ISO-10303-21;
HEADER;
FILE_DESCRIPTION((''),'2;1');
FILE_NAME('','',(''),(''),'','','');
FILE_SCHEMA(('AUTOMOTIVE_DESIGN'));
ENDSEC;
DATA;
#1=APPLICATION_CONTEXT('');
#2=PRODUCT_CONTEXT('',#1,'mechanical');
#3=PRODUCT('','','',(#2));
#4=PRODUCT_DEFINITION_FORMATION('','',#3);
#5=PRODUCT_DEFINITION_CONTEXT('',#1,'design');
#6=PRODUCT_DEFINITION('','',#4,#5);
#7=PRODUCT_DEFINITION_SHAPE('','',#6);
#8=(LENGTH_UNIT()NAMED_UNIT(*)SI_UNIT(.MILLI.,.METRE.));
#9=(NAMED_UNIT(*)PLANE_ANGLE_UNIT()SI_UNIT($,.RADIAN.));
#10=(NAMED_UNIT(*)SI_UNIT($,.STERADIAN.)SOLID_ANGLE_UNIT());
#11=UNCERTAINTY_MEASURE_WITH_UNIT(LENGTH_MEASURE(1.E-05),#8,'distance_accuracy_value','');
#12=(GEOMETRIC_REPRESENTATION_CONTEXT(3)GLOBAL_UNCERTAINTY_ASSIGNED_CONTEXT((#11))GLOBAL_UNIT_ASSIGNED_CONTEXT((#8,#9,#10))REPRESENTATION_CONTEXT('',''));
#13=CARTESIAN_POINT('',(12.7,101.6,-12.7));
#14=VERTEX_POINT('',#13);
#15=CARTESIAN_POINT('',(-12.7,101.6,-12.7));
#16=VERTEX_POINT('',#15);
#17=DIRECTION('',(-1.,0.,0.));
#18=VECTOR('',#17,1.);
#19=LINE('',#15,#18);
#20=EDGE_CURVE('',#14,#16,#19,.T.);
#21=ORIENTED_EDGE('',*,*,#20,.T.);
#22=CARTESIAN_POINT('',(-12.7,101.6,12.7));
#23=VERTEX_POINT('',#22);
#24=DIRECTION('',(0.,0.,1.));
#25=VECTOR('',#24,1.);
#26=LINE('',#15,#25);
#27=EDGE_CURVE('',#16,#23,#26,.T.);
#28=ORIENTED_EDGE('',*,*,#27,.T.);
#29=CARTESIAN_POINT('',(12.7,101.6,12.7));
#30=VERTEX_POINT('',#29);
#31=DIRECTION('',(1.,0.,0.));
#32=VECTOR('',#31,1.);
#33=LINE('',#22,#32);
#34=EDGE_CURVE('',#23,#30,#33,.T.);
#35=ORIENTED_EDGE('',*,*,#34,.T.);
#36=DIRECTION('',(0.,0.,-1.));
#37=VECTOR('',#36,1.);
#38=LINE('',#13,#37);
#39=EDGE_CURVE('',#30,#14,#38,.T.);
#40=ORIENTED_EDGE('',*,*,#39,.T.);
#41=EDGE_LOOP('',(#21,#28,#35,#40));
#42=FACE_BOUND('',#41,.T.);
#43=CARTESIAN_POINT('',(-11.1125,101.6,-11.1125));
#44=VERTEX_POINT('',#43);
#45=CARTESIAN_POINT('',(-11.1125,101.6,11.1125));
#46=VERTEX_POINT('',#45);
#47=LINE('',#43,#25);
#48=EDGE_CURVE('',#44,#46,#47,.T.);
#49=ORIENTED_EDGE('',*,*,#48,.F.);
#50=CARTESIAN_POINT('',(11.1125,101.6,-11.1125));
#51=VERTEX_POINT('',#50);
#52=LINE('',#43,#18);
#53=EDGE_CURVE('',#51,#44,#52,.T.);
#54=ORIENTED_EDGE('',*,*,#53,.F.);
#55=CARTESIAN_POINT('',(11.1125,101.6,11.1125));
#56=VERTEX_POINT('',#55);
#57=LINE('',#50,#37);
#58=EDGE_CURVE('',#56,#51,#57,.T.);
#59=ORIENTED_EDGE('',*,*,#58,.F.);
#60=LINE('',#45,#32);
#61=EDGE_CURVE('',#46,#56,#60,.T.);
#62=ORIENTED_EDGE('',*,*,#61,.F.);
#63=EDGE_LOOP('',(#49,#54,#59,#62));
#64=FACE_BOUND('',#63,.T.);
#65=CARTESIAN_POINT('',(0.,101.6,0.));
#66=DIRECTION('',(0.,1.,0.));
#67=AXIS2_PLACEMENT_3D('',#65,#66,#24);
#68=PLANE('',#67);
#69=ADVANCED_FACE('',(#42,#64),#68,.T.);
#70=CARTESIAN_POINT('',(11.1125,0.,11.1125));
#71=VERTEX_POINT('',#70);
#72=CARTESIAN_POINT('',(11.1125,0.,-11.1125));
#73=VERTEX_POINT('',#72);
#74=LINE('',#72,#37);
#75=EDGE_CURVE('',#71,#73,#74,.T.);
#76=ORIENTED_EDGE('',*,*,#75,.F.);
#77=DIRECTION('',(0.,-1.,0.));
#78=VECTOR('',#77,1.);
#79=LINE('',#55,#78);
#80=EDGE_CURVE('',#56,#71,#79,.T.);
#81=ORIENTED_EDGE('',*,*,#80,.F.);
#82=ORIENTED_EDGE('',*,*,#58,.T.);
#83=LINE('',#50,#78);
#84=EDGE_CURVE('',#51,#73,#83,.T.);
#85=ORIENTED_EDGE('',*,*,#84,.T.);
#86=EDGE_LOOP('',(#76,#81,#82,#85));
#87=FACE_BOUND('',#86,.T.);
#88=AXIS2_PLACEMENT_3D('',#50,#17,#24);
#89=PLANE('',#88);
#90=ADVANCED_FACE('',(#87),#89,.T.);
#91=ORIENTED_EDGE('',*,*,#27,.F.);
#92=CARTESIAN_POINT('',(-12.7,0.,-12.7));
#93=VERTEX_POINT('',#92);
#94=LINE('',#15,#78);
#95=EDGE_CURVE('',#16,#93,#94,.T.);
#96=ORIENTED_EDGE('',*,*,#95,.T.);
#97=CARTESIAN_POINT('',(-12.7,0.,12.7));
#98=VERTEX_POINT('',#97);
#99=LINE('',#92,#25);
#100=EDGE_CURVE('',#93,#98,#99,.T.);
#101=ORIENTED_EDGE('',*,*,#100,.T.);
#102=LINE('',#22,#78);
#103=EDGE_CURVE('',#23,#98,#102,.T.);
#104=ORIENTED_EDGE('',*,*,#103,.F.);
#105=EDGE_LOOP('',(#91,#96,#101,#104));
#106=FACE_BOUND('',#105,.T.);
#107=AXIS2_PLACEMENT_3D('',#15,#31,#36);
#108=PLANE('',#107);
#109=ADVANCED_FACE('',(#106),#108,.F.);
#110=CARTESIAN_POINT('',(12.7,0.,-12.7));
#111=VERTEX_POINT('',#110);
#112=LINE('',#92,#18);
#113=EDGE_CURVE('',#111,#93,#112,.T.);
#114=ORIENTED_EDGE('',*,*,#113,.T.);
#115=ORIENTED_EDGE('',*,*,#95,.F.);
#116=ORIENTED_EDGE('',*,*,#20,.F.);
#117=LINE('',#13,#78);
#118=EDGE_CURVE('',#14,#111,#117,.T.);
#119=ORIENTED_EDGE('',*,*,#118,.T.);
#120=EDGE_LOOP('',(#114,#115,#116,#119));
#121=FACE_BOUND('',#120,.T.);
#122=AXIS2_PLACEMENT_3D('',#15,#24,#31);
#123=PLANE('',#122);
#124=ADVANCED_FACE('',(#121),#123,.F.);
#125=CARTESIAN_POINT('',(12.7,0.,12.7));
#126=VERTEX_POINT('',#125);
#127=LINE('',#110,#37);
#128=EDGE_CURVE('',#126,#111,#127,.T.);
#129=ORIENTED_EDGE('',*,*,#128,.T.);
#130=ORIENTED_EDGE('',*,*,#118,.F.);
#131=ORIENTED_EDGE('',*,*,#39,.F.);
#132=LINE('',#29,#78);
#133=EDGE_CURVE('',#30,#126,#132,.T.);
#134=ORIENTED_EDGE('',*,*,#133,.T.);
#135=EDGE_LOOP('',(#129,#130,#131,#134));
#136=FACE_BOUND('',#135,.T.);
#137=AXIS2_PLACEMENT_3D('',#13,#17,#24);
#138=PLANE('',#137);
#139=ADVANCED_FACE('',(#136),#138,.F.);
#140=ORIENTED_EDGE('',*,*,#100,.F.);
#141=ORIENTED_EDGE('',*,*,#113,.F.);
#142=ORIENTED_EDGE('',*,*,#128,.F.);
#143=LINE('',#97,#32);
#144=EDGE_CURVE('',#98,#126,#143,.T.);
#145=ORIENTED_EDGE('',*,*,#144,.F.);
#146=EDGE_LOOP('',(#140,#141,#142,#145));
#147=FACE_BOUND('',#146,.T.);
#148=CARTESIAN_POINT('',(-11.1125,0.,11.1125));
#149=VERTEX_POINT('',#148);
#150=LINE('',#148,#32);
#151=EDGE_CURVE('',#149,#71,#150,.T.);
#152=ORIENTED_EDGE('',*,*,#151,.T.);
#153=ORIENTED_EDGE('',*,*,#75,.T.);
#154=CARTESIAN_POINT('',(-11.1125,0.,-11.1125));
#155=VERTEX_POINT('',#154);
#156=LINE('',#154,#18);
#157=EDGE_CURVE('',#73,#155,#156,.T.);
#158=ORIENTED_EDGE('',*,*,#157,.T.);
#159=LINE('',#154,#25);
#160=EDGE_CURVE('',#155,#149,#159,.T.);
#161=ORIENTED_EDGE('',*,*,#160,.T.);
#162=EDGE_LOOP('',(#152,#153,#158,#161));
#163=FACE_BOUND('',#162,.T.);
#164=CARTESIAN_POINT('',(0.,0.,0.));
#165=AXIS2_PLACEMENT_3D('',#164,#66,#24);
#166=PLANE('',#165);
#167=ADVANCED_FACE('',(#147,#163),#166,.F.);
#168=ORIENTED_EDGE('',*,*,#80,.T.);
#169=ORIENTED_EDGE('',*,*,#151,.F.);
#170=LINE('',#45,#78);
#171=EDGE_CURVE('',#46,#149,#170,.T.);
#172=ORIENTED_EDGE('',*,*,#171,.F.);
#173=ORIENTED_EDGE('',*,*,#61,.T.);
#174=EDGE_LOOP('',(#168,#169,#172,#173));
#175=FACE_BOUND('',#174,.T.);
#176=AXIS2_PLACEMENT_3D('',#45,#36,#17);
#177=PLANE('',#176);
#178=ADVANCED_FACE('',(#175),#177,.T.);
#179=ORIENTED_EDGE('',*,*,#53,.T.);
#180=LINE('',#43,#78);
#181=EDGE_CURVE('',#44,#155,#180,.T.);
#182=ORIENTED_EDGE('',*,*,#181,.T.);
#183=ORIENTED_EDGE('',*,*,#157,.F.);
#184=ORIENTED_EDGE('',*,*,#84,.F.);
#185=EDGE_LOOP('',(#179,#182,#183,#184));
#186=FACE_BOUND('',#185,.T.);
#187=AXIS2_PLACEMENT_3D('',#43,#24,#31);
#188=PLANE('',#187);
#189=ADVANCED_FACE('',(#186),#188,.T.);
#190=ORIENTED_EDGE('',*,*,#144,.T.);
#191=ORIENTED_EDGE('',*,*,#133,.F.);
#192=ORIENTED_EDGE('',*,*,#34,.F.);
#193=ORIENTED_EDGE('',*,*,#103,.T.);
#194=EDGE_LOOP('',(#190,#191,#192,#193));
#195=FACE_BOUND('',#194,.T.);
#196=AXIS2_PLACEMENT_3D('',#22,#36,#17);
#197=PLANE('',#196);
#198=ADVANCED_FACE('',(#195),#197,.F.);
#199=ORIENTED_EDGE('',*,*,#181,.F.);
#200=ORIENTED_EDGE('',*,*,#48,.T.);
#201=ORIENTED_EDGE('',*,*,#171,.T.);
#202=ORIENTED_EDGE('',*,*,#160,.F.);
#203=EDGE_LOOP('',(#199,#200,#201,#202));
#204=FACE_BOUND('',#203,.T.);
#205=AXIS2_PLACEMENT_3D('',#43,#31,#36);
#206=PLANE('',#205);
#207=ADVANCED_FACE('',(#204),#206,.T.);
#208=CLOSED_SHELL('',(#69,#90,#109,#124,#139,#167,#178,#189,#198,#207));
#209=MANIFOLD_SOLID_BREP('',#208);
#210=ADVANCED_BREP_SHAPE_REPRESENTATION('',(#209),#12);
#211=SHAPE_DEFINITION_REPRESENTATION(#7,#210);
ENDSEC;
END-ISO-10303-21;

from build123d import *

# Parameters (mm, degrees)
SKETCH1_W           = 25.4
SKETCH1_H           = 25.4
SKETCH1_W_2         = 22.225
SKETCH1_H_2         = 22.225
BOSS_EXTRUDE1_DEPTH = 101.6


with BuildPart() as part:
    # Sketch1 → Boss-Extrude1 (new body)
    with BuildSketch(Plane(origin=(0, 0, 0), x_dir=(1, 0, 0), z_dir=(0, 1, 0))):
        Rectangle(SKETCH1_W, SKETCH1_H)
        Rectangle(SKETCH1_W_2, SKETCH1_H_2, mode=Mode.SUBTRACT)
    extrude(amount=BOSS_EXTRUDE1_DEPTH)


solid = part.part
